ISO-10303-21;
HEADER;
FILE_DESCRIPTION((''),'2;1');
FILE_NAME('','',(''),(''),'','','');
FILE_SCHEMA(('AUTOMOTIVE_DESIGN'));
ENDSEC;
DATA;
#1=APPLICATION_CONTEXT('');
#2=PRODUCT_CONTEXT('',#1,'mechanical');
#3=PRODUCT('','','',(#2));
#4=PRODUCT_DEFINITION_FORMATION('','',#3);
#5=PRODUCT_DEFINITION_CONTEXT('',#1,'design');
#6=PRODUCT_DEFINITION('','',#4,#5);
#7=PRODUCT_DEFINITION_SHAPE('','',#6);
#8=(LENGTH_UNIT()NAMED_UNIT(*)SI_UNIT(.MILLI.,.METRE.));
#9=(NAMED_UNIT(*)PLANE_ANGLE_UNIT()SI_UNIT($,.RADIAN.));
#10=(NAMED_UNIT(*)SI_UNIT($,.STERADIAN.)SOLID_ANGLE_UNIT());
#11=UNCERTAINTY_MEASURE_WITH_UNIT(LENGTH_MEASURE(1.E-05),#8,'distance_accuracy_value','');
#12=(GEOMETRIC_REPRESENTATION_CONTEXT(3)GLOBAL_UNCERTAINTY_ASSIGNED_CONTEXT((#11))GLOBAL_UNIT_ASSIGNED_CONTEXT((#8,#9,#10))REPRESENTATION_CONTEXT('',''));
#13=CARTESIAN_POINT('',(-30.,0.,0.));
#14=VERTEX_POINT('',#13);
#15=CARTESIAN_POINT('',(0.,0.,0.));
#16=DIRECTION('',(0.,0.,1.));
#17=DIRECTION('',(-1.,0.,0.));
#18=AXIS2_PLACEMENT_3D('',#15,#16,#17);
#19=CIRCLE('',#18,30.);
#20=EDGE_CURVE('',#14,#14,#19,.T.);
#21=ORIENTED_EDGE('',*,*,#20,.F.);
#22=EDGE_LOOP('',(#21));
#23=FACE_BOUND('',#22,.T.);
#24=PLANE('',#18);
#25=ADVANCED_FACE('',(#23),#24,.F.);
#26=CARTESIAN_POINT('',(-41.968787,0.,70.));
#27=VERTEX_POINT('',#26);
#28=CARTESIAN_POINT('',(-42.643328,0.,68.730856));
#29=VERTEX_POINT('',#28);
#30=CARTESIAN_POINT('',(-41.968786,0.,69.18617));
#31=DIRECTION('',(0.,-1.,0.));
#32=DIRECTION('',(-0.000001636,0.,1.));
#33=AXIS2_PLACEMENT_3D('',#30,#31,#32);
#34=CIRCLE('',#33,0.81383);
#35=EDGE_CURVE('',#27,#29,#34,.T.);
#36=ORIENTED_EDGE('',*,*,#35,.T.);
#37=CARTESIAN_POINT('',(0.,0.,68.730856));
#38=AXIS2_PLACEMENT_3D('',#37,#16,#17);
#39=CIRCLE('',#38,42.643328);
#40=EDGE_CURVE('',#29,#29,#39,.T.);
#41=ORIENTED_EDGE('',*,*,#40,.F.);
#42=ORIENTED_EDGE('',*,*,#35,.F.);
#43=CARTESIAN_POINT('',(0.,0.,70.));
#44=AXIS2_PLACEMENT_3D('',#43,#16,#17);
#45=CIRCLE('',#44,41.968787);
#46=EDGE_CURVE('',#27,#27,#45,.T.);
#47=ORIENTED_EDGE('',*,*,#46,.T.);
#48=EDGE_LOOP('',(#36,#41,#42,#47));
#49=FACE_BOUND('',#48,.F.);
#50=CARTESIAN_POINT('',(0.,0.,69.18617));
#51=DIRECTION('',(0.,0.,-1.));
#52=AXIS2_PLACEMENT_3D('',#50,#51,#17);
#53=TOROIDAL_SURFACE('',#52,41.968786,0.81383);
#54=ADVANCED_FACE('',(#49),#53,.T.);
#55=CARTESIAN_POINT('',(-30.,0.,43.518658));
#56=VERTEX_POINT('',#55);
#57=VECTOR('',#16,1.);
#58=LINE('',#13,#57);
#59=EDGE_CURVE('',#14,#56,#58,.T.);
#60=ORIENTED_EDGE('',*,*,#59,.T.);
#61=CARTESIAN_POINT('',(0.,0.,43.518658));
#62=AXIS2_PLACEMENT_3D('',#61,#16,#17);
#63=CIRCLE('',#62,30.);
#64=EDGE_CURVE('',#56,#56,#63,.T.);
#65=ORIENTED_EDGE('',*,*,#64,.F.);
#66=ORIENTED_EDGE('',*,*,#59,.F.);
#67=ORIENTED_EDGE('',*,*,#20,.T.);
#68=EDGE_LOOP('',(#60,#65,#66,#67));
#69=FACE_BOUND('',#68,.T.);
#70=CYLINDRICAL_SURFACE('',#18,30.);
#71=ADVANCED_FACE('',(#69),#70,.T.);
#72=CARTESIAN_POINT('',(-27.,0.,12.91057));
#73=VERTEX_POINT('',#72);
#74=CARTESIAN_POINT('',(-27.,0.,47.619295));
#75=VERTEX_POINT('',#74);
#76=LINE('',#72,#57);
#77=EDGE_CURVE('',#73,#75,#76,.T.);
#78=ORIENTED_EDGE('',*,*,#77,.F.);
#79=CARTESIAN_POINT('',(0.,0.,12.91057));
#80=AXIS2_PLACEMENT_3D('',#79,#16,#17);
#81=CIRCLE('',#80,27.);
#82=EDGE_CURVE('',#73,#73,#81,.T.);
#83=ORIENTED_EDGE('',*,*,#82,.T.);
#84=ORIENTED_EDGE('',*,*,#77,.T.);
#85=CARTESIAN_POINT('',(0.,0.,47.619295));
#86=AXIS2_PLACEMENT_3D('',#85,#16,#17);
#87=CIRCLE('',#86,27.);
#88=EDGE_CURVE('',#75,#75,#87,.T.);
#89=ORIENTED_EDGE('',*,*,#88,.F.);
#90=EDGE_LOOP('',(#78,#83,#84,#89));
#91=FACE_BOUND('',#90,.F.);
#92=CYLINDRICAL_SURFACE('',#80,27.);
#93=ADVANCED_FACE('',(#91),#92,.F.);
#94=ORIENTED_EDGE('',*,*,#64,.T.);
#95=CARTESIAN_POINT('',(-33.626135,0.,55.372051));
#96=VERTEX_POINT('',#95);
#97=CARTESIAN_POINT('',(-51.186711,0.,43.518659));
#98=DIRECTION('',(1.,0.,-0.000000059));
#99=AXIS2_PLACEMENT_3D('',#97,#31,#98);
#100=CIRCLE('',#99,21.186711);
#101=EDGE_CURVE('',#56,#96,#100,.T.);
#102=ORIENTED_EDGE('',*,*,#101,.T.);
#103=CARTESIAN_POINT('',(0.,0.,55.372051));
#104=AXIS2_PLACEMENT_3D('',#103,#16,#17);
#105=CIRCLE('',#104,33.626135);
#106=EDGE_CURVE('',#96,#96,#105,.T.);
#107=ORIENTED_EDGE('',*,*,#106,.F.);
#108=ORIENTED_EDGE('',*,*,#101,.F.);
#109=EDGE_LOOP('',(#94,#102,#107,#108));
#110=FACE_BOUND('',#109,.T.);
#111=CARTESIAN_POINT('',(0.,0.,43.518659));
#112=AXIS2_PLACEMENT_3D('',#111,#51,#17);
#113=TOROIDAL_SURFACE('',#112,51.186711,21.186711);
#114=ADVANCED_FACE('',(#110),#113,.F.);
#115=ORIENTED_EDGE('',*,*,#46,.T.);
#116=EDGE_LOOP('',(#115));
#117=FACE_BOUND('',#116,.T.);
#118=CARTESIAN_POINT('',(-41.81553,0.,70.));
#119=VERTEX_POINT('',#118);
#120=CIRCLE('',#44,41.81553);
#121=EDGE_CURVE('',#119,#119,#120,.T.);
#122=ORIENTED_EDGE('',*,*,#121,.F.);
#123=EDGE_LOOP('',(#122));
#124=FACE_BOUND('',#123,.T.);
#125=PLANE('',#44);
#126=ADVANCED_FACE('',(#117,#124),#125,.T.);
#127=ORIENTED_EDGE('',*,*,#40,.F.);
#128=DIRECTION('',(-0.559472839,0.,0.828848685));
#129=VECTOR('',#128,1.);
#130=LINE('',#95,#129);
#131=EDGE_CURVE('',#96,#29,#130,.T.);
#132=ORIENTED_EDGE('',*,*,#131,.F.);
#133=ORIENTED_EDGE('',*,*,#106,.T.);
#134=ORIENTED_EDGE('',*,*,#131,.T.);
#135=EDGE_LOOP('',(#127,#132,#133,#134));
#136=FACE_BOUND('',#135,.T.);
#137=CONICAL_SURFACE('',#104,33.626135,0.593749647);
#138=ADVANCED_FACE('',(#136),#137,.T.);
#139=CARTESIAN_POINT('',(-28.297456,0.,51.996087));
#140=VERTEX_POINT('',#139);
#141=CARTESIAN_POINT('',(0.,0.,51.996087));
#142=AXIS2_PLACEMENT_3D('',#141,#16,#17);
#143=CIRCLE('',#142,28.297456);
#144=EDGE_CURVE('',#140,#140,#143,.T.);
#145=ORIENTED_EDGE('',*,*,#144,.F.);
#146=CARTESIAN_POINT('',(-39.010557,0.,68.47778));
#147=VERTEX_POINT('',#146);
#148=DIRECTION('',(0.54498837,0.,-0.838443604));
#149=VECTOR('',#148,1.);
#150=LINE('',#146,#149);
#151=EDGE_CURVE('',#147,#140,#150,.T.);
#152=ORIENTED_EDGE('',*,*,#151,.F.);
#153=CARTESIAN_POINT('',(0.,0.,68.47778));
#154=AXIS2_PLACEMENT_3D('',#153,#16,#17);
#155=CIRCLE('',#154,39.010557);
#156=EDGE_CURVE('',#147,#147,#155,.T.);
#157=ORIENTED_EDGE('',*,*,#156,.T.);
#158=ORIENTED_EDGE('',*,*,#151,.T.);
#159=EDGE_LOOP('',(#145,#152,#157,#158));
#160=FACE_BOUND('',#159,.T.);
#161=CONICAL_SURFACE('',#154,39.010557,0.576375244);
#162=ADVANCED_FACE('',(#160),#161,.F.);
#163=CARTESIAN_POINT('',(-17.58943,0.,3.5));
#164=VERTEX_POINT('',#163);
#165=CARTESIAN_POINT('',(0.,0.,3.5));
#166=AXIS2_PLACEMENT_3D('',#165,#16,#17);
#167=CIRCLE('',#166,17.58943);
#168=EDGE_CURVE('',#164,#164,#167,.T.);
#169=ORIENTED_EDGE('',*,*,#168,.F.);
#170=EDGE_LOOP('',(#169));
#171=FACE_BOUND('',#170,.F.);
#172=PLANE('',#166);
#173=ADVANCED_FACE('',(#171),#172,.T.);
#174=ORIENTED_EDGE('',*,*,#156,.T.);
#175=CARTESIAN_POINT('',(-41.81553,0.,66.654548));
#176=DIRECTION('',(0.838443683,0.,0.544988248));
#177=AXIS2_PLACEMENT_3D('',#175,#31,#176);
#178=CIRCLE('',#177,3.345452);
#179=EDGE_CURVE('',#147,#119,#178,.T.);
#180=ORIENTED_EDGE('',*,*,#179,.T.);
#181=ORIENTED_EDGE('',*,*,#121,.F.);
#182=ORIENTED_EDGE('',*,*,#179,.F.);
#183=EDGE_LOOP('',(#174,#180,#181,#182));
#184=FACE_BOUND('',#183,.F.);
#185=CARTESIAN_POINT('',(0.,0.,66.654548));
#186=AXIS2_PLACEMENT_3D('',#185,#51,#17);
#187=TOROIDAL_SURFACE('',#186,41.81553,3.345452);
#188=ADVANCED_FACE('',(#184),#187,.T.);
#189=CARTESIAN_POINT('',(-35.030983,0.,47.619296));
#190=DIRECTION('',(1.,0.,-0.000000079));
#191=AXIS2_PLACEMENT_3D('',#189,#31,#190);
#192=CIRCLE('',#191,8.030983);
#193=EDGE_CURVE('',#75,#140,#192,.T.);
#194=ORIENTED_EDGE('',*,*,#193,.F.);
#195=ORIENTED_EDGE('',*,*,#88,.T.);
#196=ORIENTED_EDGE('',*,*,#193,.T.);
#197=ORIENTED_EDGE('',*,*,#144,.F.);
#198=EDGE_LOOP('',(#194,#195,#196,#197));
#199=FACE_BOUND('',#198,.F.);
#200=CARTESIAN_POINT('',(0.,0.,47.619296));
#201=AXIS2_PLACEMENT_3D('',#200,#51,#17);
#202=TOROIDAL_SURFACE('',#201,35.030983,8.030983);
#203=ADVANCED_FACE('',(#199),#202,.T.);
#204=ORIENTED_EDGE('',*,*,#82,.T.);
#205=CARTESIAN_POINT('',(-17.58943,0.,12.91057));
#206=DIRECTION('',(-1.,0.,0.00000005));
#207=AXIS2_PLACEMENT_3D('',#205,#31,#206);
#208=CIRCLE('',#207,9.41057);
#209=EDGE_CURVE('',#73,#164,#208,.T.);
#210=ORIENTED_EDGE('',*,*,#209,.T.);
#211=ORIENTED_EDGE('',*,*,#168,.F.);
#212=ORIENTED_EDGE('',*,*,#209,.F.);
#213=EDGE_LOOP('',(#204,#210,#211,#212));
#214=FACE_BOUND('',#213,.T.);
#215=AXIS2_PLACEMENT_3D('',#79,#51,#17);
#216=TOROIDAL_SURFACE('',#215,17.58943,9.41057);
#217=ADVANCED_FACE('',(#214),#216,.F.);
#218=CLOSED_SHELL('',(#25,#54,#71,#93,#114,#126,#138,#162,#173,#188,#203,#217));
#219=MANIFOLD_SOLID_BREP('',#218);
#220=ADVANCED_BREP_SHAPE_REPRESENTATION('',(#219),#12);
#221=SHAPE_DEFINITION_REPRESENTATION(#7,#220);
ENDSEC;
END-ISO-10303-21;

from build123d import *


with BuildPart() as part:
    # Sketch → Revolution (revolve)
    with BuildSketch(Plane.XZ):
        with BuildLine():
            Line((0, 0), (-30, 0))
            Line((-30, 0), (-30, 43.518658))
            ThreePointArc((-30, 43.518658), (-30.926805, 49.716476), (-33.626135, 55.372051))
            Line((-33.626135, 55.372051), (-42.643328, 68.730856))
            ThreePointArc((-41.968787, 70), (-42.687419, 69.568119), (-42.643328, 68.730856))
            Line((-41.968787, 70), (-41.81553, 70))
            ThreePointArc((-39.010557, 68.47778), (-40.219831, 69.594921), (-41.81553, 70))
            Line((-39.010557, 68.47778), (-28.297456, 51.996087))
            ThreePointArc((-27, 47.619295), (-27.331193, 49.901821), (-28.297456, 51.996087))
            Line((-27, 12.91057), (-27, 47.619295))
            ThreePointArc((-27, 12.91057), (-24.243708, 6.256292), (-17.58943, 3.5))
            Line((0, 3.5), (-17.58943, 3.5))
            Line((0, 0), (0, 3.5))
        make_face()
    revolve(axis=Axis((0, 0, 0), (0, 0, 1)))


solid = part.part
